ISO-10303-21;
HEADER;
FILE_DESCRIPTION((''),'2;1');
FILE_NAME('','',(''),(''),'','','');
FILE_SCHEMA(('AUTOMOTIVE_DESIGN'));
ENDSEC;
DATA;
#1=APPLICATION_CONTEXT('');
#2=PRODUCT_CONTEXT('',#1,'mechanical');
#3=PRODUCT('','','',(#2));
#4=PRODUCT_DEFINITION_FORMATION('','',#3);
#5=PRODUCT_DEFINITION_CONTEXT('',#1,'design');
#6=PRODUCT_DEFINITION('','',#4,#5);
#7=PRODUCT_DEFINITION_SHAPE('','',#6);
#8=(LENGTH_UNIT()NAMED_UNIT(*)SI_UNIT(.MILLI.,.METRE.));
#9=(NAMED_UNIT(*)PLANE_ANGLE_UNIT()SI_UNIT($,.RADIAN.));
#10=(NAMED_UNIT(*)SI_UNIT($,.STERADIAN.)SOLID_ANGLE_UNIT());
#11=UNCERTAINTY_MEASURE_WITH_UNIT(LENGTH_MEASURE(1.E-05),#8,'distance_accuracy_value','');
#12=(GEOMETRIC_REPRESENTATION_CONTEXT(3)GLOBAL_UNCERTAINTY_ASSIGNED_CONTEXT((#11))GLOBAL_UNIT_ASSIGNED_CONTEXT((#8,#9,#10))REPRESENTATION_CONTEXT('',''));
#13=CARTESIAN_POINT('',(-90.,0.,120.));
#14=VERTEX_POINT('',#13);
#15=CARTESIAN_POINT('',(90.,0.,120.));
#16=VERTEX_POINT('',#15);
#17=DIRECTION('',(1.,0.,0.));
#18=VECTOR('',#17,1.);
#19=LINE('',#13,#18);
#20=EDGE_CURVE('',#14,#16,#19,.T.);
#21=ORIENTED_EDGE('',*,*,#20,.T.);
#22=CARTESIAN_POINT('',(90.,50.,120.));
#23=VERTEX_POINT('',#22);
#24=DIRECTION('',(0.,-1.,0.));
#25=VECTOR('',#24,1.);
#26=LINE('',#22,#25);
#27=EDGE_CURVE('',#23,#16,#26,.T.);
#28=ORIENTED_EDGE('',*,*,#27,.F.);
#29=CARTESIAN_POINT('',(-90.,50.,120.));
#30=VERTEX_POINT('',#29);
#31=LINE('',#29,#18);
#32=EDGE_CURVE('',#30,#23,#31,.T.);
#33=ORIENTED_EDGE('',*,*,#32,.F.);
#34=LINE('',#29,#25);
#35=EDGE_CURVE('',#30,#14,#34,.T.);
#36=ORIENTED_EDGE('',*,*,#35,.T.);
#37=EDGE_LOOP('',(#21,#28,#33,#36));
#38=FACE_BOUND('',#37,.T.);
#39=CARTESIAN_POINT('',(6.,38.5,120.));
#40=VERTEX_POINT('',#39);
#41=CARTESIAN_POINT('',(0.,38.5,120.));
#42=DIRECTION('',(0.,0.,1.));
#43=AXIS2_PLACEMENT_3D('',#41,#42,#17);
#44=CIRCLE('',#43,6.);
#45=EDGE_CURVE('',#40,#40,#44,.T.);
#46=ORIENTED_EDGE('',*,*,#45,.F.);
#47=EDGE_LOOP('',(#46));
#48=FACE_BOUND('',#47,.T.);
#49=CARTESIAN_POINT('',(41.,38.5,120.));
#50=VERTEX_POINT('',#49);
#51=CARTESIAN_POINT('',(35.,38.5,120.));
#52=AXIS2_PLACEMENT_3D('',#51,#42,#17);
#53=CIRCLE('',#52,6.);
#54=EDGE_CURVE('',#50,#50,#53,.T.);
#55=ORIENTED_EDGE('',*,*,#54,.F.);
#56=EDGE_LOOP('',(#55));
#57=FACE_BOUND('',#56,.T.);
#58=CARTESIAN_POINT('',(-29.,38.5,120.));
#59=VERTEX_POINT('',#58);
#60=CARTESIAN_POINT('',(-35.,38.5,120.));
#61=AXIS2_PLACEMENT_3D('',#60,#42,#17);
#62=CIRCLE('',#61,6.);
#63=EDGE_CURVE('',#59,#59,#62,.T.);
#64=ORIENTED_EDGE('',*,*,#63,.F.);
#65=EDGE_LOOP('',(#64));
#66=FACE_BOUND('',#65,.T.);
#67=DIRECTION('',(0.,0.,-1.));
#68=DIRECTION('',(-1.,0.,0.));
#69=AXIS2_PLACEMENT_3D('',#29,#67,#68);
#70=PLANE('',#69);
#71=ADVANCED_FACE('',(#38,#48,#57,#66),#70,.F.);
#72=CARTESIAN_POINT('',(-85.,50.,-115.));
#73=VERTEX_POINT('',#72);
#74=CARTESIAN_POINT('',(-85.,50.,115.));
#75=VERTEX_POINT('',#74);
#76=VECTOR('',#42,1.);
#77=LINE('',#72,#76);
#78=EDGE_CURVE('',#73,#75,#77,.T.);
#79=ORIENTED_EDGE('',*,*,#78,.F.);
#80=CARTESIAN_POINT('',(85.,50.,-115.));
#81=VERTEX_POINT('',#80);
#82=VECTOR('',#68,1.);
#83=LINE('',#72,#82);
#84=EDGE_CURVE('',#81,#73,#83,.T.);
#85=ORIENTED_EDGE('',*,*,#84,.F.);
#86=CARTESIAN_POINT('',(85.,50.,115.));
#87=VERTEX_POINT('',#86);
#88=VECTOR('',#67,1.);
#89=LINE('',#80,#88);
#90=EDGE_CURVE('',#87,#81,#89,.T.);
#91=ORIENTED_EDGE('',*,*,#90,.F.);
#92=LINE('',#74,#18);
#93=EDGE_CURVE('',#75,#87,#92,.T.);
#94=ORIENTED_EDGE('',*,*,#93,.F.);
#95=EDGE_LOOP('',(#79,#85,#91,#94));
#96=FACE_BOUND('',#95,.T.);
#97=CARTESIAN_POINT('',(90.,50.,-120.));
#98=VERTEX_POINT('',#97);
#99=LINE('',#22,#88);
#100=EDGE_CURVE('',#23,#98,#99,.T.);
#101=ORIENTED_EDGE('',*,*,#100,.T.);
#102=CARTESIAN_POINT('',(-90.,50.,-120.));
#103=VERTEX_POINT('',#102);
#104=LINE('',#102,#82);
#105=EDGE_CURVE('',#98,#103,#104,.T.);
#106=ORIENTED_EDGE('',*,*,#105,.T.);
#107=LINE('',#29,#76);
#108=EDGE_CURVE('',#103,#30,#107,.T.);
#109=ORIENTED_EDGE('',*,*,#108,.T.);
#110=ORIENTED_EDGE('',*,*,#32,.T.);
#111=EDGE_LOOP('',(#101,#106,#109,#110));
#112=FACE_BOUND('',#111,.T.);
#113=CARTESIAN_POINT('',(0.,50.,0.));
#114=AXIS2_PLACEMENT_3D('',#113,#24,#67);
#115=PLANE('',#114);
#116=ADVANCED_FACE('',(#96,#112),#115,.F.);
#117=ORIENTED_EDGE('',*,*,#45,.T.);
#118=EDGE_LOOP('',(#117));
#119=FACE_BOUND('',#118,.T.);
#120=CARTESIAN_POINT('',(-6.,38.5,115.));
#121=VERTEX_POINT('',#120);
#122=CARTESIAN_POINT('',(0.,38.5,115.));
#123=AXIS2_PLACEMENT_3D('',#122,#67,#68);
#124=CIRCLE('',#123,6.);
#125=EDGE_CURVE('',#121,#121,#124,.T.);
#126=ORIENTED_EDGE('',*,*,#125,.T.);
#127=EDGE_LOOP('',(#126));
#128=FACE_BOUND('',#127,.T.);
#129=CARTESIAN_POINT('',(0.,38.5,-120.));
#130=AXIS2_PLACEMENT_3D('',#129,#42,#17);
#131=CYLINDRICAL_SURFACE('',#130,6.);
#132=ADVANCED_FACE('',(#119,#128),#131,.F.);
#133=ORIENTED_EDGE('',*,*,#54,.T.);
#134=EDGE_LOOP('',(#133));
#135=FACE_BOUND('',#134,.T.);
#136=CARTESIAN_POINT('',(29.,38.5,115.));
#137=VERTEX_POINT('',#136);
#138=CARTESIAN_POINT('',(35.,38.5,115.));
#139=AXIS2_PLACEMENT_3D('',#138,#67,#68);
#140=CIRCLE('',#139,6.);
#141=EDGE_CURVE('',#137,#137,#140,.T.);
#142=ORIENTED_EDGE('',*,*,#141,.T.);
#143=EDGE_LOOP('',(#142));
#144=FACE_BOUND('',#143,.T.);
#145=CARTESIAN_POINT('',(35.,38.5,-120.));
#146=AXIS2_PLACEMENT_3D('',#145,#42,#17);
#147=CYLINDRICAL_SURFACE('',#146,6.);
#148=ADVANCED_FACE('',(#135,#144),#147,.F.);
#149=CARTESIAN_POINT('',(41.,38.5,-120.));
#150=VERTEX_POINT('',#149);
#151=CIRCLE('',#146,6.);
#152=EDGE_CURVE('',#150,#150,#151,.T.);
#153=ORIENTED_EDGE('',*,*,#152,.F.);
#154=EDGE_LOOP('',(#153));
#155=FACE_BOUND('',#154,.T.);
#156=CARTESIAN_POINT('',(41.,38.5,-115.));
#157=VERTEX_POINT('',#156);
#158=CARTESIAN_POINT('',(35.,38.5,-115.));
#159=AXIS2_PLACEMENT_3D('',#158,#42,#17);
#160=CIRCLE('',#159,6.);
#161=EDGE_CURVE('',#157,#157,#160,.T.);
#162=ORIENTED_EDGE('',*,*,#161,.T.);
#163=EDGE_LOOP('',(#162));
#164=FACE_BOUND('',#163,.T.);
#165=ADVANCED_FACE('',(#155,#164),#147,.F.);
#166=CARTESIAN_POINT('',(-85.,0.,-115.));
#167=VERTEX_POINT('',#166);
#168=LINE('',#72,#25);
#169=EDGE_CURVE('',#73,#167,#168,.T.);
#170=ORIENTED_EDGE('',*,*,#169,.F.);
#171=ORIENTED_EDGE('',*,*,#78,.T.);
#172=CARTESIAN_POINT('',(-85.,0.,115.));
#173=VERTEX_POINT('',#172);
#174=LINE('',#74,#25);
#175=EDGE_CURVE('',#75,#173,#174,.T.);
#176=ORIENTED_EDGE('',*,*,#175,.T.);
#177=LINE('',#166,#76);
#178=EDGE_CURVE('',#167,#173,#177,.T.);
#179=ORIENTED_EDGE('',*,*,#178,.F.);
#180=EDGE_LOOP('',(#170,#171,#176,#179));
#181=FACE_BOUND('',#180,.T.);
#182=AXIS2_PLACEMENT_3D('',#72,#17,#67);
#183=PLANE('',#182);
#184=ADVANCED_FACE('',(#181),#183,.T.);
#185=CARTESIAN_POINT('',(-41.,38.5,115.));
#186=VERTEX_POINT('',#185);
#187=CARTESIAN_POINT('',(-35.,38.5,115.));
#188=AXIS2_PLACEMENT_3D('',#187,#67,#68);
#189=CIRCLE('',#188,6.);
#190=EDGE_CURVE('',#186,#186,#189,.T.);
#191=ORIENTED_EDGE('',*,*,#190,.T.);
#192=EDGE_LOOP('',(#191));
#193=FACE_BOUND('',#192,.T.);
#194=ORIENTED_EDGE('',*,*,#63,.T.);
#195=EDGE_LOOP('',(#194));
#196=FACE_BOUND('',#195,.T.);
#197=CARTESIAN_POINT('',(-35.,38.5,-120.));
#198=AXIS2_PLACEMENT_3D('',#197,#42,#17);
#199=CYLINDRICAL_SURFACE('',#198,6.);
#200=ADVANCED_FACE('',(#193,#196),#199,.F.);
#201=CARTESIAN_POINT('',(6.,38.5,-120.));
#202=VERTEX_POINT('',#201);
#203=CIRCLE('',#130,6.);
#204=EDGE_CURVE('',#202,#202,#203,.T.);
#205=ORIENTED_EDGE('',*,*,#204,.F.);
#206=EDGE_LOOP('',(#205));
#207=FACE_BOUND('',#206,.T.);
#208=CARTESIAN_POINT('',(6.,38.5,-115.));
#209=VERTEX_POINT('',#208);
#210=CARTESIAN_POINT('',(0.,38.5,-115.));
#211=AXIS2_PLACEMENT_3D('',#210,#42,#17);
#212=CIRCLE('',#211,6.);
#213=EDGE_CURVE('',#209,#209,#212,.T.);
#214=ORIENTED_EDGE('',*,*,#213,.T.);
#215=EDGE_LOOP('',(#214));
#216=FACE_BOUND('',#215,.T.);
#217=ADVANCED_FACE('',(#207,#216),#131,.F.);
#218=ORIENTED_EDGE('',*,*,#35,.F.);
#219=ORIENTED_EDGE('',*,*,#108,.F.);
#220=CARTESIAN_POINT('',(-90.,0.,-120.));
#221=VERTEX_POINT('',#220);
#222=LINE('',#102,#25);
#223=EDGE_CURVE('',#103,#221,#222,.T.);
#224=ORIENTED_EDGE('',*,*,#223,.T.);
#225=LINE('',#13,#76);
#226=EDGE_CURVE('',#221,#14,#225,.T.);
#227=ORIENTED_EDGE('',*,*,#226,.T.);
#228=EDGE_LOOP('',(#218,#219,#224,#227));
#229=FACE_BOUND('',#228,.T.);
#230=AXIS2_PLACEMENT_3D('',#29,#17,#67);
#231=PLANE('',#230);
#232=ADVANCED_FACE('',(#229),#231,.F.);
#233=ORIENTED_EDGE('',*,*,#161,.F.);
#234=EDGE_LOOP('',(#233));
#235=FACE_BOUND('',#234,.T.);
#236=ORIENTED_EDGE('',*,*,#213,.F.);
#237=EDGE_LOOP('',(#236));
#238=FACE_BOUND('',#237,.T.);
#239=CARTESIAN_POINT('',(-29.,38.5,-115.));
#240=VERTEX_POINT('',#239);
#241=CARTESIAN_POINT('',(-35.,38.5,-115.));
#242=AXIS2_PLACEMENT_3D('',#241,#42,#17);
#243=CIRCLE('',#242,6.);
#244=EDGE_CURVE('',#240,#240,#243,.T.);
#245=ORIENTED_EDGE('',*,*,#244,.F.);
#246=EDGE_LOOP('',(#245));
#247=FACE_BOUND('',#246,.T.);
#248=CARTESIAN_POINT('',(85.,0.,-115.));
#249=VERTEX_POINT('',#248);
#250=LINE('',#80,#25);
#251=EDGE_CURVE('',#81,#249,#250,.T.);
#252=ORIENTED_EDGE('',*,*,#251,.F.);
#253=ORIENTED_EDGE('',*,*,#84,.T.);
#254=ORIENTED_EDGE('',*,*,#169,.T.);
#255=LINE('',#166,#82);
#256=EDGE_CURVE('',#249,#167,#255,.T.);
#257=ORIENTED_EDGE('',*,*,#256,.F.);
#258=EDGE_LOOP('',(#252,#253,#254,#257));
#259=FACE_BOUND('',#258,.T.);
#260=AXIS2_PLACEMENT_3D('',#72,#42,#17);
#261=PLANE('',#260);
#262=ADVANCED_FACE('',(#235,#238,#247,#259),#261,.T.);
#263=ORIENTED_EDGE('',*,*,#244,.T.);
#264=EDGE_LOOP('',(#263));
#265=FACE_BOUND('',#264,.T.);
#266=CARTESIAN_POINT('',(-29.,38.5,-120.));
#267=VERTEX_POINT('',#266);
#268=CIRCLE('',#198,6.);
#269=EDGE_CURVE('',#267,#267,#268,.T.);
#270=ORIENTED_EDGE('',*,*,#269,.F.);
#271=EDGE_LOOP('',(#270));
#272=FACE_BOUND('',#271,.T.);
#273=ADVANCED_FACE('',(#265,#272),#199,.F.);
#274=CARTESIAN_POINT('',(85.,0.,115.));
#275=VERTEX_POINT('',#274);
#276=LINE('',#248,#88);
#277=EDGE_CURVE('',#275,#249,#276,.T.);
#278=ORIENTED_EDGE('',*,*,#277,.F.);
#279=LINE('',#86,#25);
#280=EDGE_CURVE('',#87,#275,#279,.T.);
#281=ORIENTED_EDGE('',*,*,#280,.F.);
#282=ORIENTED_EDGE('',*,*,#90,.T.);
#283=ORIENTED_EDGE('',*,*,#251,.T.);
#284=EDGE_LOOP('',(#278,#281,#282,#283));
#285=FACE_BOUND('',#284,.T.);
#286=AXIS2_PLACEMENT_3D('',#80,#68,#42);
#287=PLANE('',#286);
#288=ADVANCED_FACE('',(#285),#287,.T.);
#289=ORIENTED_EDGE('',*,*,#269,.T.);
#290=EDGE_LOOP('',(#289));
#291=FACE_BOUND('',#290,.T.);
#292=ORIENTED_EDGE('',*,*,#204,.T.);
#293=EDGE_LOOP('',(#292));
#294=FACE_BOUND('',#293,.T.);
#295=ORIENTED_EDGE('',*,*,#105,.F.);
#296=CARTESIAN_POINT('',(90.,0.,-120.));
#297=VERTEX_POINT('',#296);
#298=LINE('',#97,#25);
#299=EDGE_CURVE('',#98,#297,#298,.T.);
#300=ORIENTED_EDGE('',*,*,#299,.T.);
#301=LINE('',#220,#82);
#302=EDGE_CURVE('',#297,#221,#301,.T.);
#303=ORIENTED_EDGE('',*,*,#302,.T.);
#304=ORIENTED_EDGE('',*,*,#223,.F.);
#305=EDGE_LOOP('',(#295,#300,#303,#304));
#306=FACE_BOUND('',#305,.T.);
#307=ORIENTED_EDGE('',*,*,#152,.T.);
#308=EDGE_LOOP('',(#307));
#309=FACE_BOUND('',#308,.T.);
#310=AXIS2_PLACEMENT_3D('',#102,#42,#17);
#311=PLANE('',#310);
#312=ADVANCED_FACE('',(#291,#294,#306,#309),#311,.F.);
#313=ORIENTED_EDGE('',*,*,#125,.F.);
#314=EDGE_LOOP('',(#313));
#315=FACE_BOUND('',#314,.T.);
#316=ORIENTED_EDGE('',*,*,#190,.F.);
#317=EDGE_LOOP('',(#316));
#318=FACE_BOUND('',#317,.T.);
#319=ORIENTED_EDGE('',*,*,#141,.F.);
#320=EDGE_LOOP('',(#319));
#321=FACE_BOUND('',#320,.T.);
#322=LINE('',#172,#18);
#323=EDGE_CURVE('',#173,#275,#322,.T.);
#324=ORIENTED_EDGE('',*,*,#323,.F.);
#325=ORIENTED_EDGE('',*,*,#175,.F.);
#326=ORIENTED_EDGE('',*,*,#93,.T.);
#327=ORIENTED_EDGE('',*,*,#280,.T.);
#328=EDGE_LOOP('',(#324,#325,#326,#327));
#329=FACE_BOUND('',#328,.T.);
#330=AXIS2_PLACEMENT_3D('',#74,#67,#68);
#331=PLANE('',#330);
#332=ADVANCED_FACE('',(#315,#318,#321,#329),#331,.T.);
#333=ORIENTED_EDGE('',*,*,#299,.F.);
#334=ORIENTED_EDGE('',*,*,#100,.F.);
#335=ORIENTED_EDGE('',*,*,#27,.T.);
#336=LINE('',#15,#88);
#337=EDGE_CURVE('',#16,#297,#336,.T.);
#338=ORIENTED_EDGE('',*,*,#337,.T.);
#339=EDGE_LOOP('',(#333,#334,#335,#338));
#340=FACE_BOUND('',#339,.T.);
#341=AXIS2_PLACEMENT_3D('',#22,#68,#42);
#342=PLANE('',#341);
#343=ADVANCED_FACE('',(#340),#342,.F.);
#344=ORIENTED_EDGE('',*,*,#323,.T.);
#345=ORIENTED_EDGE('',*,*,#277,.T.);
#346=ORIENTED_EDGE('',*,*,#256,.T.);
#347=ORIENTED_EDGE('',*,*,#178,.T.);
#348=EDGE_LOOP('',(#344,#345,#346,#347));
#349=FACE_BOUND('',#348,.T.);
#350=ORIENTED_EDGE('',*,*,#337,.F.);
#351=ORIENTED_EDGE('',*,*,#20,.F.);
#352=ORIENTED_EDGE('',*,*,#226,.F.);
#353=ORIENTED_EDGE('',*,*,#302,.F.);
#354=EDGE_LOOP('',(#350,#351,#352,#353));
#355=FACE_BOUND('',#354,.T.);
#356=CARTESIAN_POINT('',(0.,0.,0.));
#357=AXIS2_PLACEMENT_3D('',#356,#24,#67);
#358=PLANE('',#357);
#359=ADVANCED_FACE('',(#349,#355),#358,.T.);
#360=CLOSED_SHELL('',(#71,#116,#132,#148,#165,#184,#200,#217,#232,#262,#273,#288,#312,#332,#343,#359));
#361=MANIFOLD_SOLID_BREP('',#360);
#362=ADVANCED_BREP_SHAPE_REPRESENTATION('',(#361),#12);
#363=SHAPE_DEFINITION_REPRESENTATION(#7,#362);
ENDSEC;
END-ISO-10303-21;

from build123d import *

# Parameters (mm, degrees)
CROQUIS1_W              = 180
CROQUIS1_H              = 240
CROQUIS1_W_2            = 170
CROQUIS1_H_2            = 230
SALIENTE_EXTRUIR1_DEPTH = 50
CROQUIS2_R              = 6
CORTAR_EXTRUIR1_DEPTH   = 241


with BuildPart() as part:
    # Croquis1 → Saliente-Extruir1 (new body)
    with BuildSketch(Plane(origin=(0, 0, 0), x_dir=(1, 0, 0), z_dir=(0, 1, 0))):
        Rectangle(CROQUIS1_W, CROQUIS1_H)
        Rectangle(CROQUIS1_W_2, CROQUIS1_H_2, mode=Mode.SUBTRACT)
    extrude(amount=SALIENTE_EXTRUIR1_DEPTH)

    # Croquis2 → Cortar-Extruir1 (cut, through all)
    with BuildSketch(Plane.XY.offset(120)):
        with Locations((-35, 38.5)):
            Circle(CROQUIS2_R)
        with Locations((0, 38.5)):
            Circle(CROQUIS2_R)
        with Locations((35, 38.5)):
            Circle(CROQUIS2_R)
    extrude(amount=-CORTAR_EXTRUIR1_DEPTH, mode=Mode.SUBTRACT)


solid = part.part
